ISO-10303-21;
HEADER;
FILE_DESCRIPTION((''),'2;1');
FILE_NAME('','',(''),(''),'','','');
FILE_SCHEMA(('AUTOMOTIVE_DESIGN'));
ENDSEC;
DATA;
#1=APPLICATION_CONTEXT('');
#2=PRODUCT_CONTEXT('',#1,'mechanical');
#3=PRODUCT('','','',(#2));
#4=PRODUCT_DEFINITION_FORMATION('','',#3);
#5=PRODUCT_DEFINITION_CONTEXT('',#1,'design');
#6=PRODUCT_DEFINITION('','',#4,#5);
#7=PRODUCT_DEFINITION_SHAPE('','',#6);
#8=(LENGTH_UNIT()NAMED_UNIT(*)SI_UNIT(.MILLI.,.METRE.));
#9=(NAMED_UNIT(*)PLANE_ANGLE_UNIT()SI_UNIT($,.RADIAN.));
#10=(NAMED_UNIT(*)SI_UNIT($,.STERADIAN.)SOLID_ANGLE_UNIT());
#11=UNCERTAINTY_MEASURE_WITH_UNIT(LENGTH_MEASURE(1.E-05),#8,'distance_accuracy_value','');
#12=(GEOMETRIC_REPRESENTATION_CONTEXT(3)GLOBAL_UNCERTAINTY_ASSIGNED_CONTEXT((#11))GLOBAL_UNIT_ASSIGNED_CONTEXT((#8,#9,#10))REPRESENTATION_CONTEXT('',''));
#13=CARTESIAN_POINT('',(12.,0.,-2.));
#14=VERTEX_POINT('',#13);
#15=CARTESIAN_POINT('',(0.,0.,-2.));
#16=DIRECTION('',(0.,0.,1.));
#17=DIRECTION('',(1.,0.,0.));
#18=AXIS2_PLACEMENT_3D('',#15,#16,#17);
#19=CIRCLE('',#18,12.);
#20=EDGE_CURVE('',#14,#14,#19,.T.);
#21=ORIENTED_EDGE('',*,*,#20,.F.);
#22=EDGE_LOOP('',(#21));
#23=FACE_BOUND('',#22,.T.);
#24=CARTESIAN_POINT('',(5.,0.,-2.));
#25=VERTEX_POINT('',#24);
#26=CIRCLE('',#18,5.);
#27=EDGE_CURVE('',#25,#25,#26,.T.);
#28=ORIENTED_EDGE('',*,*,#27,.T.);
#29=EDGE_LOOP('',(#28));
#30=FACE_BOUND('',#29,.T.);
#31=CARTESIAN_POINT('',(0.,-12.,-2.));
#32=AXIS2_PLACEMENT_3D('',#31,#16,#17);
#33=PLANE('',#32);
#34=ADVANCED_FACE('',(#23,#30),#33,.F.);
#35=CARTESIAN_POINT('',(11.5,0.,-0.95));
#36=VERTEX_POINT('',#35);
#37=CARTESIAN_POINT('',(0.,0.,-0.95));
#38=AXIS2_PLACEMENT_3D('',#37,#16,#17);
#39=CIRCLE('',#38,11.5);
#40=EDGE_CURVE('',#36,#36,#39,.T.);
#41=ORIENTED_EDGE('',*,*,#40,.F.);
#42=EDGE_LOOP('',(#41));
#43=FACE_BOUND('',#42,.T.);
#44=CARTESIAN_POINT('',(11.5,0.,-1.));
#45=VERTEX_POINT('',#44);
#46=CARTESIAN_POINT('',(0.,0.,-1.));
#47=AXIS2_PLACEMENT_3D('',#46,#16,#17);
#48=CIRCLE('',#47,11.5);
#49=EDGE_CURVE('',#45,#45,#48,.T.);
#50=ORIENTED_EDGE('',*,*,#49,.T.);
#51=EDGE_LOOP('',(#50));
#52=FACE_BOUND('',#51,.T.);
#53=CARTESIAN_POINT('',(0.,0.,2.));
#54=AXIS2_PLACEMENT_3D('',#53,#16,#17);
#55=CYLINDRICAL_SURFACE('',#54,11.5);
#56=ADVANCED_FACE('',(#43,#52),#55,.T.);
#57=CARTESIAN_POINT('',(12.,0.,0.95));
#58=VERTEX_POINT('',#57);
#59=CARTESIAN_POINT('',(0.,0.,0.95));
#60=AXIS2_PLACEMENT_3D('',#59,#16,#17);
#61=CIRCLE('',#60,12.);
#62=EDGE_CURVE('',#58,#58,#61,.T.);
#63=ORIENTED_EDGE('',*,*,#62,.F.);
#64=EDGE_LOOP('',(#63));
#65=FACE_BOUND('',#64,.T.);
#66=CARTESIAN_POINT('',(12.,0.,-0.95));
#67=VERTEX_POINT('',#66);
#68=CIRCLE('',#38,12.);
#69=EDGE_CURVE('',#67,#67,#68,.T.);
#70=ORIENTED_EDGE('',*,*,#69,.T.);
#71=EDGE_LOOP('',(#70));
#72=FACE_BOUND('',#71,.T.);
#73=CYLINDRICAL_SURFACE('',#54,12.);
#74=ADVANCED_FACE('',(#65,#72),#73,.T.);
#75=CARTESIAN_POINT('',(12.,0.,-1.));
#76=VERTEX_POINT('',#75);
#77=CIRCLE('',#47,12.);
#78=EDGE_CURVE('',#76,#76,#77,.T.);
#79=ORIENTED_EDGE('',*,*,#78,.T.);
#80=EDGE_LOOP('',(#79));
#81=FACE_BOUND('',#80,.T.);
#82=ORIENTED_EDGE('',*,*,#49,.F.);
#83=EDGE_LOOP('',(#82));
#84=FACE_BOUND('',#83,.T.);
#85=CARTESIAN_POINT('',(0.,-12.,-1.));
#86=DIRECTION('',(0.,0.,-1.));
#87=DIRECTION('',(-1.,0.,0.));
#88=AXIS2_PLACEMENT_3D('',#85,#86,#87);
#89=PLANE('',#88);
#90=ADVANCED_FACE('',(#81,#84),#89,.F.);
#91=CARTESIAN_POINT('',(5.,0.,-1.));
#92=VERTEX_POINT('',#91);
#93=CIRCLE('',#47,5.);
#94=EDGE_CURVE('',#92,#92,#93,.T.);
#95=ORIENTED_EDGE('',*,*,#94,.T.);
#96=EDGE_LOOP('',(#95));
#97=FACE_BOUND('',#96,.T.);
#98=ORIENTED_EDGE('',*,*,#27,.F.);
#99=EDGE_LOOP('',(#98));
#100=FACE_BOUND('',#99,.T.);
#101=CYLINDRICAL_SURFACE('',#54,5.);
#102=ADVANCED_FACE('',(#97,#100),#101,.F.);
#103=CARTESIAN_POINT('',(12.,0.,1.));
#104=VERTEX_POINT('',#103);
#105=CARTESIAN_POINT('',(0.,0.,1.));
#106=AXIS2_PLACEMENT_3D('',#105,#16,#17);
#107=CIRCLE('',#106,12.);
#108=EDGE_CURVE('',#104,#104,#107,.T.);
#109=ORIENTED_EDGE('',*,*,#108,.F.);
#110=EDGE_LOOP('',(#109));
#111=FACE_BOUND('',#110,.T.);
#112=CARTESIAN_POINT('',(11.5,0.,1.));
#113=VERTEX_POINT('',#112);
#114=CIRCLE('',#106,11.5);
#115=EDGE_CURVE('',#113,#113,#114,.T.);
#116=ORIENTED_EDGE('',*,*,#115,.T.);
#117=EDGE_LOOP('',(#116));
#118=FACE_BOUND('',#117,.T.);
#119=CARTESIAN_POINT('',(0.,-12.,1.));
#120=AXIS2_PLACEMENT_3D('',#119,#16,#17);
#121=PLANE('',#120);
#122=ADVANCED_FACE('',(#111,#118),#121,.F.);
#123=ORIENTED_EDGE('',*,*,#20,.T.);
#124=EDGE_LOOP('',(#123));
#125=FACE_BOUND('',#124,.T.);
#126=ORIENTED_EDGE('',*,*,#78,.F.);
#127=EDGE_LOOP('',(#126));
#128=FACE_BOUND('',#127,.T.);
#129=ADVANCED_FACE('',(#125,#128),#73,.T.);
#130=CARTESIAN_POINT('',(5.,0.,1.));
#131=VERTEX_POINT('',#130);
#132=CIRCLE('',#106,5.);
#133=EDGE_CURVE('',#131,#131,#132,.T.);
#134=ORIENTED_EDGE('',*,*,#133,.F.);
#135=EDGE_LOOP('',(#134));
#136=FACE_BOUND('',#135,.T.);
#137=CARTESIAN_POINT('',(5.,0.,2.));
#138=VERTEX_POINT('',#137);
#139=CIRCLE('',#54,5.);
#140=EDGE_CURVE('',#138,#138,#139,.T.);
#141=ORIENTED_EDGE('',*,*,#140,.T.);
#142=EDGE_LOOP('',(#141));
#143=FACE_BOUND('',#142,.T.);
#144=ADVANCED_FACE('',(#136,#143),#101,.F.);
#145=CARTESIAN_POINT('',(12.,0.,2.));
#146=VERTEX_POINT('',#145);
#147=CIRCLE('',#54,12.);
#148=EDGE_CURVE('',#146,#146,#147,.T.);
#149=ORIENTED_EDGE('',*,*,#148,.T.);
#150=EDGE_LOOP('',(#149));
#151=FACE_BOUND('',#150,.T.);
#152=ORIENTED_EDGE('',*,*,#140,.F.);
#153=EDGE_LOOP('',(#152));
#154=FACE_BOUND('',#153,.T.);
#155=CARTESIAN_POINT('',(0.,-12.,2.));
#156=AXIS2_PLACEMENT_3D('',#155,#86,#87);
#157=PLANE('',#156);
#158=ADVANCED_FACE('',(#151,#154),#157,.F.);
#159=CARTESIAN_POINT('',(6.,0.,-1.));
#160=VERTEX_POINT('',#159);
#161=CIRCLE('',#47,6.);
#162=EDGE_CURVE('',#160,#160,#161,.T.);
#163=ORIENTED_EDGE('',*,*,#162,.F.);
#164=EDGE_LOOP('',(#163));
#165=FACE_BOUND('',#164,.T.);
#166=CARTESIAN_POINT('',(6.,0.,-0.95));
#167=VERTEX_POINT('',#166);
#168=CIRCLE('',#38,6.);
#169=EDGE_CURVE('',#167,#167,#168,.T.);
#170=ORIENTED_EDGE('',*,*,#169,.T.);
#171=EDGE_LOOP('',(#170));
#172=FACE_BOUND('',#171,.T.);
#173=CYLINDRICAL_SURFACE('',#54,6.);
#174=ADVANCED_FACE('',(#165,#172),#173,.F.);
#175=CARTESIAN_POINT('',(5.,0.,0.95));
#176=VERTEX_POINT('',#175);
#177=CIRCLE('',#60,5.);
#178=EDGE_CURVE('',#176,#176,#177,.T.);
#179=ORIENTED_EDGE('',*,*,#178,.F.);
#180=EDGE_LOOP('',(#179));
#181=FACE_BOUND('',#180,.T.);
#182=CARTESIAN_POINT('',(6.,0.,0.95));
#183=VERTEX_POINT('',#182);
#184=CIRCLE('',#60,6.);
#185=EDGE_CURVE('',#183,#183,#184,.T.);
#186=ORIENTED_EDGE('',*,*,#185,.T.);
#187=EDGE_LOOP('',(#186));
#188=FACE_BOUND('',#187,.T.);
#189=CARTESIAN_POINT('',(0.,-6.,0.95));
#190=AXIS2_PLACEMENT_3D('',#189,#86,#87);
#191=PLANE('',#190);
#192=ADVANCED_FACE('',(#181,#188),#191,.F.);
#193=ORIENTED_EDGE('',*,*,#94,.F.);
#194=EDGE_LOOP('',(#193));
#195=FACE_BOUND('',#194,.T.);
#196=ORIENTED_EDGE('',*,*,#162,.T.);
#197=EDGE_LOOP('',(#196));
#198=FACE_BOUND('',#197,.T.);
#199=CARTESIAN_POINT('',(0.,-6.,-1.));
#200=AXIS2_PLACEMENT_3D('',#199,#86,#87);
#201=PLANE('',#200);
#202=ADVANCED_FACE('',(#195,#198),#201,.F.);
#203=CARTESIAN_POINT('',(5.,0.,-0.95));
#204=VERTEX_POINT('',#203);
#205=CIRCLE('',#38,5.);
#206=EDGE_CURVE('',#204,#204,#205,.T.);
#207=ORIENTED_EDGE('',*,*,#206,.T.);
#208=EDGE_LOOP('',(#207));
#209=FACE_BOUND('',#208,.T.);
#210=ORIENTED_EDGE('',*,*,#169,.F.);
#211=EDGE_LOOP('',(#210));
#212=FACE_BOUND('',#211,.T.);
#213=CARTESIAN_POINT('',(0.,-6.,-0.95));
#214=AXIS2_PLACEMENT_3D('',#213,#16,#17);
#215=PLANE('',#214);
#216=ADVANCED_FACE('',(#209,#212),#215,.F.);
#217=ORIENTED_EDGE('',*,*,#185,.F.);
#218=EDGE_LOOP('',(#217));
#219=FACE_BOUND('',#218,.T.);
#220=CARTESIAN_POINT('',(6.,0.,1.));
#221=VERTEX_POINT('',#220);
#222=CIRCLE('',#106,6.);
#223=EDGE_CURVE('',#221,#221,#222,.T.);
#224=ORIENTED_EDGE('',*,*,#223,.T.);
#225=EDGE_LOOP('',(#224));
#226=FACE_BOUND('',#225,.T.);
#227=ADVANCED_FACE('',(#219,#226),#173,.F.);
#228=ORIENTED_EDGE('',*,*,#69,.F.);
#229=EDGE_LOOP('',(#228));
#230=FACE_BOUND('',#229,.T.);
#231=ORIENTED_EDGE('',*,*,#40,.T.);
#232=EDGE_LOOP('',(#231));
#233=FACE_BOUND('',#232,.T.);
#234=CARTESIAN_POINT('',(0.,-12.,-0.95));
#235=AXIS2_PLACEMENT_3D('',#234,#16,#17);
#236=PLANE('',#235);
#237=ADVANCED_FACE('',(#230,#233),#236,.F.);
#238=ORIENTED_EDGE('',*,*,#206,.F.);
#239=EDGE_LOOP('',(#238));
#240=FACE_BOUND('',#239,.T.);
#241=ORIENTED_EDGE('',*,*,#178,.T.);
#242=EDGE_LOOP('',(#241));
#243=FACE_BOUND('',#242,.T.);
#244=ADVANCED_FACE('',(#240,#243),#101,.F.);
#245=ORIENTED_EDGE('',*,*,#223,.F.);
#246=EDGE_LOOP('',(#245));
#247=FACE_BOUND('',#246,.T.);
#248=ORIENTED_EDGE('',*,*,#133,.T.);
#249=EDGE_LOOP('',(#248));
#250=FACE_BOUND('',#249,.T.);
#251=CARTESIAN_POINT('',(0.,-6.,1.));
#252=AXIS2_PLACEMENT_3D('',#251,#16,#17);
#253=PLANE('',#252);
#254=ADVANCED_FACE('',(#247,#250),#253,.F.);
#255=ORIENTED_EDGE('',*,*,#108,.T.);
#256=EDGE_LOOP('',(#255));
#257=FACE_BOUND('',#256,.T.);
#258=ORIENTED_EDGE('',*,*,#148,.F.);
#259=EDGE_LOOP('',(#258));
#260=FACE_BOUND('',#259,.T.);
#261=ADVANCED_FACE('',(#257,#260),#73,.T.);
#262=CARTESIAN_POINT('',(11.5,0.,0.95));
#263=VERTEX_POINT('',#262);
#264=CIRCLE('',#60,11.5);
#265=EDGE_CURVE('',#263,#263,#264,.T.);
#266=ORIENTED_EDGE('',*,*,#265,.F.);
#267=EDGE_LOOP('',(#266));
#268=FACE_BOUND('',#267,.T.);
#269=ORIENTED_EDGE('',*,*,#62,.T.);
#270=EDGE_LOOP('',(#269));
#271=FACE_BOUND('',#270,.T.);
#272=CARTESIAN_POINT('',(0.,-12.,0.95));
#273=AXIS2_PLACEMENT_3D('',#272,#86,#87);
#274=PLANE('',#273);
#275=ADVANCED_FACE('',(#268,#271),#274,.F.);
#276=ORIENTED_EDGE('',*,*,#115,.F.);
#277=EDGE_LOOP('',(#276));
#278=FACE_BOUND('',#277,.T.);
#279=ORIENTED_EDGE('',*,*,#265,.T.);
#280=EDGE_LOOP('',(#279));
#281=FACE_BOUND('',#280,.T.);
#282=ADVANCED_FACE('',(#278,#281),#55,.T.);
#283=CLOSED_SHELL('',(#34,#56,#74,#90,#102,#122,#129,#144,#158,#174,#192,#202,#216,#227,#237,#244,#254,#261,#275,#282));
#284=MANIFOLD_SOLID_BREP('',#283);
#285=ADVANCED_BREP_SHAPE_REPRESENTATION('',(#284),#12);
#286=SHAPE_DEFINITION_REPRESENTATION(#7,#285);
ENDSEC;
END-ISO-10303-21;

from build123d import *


with BuildPart() as part:
    # 草图2 → 旋转1 (revolve)
    with BuildSketch(Plane(origin=(0, 0, 0), x_dir=(0, 0, -1), z_dir=(1, 0, 0)), mode=Mode.PRIVATE) as revolve_1_sk:
        Polygon((1, 12), (2, 12), (2, 5), (1, 5), (1, 6), (0.95, 6), (0.95, 5), (-0.95, 5), (-0.95, 6), (-1, 6), (-1, 5), (-2, 5), (-2, 12), (-1, 12), (-1, 11.5), (-0.95, 11.5), (-0.95, 12), (0.95, 12), (0.95, 11.5), (1, 11.5), align=None)
    revolve(revolve_1_sk.sketch.rotate(Axis((0, 0, 2), (0, 0, -1)), 90), axis=Axis((0, 0, 2), (0, 0, -1)))


solid = part.part
